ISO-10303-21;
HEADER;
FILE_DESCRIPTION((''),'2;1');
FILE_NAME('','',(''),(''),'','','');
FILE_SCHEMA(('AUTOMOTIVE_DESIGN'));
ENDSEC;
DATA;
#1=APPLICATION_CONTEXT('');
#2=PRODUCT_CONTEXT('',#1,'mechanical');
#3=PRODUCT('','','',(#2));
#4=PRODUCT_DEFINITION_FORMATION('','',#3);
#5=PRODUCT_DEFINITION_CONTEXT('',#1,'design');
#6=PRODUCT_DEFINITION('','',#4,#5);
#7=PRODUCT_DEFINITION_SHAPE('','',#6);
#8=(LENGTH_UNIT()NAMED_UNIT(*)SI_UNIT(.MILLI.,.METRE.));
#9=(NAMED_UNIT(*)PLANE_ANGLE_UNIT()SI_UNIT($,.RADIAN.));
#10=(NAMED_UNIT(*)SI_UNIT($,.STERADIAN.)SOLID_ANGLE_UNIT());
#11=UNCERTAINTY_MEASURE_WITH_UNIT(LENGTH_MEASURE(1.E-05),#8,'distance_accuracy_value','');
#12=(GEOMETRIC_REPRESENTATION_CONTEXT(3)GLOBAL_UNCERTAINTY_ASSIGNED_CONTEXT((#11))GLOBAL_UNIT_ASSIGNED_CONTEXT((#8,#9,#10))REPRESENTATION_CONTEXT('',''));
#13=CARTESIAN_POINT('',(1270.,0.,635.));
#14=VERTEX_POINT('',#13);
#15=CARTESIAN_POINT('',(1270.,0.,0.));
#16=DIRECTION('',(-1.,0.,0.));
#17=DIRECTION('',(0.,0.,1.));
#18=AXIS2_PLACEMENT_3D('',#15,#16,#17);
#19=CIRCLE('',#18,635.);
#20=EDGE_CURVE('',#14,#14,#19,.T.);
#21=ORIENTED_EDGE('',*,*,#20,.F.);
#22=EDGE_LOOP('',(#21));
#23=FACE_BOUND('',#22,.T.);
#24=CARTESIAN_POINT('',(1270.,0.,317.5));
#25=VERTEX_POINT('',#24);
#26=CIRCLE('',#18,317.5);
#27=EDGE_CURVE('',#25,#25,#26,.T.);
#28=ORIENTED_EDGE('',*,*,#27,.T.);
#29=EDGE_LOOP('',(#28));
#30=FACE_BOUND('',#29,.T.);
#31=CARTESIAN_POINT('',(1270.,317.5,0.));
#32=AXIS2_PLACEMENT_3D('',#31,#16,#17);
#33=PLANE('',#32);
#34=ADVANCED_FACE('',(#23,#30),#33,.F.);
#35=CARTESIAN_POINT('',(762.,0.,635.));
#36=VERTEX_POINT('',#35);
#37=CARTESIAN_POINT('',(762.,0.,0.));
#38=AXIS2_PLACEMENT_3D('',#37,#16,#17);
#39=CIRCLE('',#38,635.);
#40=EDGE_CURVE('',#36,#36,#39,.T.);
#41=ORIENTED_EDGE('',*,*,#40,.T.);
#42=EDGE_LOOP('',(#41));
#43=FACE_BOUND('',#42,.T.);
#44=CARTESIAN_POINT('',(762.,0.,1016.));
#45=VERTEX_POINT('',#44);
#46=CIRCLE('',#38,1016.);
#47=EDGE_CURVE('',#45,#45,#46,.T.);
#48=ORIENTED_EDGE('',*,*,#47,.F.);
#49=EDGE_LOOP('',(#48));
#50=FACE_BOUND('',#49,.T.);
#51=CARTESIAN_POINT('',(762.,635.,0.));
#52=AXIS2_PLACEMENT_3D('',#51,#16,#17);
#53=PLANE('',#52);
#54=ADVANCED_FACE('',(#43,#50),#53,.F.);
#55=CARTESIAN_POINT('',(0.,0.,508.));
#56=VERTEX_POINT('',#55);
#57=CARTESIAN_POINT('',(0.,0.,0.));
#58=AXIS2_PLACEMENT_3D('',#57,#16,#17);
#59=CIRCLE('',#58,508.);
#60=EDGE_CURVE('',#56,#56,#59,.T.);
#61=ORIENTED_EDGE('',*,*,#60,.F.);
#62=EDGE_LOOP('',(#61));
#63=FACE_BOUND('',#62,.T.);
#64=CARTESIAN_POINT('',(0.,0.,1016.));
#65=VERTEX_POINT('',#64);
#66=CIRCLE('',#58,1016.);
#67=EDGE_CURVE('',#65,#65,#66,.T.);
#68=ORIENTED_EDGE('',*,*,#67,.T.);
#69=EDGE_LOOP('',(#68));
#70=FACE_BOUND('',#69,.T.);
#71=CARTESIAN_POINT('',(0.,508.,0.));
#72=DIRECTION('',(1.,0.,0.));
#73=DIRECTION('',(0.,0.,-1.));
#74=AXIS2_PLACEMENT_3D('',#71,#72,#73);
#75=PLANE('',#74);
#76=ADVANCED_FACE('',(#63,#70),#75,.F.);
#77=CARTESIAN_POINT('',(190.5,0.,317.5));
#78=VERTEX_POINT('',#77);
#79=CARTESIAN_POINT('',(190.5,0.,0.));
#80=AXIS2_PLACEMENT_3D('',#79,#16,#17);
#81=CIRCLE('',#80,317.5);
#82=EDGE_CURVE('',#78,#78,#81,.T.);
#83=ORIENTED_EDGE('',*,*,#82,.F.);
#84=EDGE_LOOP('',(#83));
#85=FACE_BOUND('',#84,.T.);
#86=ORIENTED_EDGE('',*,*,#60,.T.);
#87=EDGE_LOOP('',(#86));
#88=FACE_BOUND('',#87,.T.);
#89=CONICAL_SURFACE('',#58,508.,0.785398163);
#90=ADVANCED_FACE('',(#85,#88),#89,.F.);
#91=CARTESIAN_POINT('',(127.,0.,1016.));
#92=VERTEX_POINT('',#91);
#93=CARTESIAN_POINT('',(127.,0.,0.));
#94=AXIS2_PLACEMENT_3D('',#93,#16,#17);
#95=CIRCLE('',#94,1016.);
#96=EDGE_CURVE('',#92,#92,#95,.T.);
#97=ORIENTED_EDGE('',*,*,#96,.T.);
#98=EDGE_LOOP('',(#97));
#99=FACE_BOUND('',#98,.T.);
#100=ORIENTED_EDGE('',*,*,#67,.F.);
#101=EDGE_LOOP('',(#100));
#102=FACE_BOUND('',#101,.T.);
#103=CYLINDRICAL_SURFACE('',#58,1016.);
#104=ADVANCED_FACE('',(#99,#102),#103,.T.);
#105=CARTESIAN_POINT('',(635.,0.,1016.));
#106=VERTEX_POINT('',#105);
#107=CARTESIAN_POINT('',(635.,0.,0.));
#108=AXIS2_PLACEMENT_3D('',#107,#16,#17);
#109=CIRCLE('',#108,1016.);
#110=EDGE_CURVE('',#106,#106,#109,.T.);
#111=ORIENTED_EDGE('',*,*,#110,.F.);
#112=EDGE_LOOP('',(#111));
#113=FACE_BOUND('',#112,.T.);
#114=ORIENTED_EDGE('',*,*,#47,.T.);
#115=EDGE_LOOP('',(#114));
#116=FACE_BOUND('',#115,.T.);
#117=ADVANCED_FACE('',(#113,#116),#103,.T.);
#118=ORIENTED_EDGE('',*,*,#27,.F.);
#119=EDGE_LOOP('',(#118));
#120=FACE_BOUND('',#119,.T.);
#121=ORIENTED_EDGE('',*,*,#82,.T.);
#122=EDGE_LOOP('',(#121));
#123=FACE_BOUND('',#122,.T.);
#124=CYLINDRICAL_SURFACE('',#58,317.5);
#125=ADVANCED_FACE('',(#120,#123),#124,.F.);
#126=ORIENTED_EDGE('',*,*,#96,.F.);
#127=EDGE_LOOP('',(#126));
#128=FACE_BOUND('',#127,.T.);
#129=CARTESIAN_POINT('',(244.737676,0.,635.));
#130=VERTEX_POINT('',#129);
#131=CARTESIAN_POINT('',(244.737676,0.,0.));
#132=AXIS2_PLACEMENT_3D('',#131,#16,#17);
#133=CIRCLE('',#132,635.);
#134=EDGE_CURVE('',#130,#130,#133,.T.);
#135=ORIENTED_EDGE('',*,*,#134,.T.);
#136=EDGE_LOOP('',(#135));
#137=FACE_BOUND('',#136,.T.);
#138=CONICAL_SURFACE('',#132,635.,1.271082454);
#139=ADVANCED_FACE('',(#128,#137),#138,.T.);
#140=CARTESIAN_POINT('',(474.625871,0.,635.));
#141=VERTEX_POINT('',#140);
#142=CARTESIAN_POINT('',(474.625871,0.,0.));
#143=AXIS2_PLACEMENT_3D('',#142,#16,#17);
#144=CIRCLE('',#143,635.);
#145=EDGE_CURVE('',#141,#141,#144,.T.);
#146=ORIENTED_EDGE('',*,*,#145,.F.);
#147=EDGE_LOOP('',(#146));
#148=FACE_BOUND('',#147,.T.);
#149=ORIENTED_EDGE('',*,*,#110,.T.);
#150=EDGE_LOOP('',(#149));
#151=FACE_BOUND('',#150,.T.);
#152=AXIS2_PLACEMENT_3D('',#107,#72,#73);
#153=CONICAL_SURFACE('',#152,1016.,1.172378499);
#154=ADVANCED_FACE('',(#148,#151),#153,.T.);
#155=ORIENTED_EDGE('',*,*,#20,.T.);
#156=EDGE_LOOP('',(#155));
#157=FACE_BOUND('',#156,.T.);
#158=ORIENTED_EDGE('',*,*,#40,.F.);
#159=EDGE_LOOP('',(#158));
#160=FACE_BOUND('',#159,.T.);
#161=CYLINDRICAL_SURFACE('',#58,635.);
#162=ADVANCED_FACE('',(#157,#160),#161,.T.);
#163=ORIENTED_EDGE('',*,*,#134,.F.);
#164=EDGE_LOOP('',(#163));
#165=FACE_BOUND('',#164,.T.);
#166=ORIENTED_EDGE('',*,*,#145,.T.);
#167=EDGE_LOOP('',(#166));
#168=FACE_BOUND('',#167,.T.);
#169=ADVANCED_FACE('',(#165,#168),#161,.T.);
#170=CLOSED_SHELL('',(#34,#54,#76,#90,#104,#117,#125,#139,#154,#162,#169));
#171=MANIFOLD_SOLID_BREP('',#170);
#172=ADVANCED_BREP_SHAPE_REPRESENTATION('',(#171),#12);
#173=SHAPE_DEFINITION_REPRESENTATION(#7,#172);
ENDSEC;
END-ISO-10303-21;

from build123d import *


with BuildPart() as part:
    # Sketch1 → Revolve1 (revolve)
    with BuildSketch(Plane.XY, mode=Mode.PRIVATE) as revolve1_sk:
        Polygon((635, 1016), (474.625871083, 635), (244.737675707, 635), (127, 1016), (0, 1016), (0, 508), (190.5, 317.5), (1270, 317.5), (1270, 635), (762, 635), (762, 1016), align=None)
    revolve(revolve1_sk.sketch.rotate(Axis((0, 0, 0), (1, 0, 0)), 90), axis=Axis((0, 0, 0), (1, 0, 0)))


solid = part.part
